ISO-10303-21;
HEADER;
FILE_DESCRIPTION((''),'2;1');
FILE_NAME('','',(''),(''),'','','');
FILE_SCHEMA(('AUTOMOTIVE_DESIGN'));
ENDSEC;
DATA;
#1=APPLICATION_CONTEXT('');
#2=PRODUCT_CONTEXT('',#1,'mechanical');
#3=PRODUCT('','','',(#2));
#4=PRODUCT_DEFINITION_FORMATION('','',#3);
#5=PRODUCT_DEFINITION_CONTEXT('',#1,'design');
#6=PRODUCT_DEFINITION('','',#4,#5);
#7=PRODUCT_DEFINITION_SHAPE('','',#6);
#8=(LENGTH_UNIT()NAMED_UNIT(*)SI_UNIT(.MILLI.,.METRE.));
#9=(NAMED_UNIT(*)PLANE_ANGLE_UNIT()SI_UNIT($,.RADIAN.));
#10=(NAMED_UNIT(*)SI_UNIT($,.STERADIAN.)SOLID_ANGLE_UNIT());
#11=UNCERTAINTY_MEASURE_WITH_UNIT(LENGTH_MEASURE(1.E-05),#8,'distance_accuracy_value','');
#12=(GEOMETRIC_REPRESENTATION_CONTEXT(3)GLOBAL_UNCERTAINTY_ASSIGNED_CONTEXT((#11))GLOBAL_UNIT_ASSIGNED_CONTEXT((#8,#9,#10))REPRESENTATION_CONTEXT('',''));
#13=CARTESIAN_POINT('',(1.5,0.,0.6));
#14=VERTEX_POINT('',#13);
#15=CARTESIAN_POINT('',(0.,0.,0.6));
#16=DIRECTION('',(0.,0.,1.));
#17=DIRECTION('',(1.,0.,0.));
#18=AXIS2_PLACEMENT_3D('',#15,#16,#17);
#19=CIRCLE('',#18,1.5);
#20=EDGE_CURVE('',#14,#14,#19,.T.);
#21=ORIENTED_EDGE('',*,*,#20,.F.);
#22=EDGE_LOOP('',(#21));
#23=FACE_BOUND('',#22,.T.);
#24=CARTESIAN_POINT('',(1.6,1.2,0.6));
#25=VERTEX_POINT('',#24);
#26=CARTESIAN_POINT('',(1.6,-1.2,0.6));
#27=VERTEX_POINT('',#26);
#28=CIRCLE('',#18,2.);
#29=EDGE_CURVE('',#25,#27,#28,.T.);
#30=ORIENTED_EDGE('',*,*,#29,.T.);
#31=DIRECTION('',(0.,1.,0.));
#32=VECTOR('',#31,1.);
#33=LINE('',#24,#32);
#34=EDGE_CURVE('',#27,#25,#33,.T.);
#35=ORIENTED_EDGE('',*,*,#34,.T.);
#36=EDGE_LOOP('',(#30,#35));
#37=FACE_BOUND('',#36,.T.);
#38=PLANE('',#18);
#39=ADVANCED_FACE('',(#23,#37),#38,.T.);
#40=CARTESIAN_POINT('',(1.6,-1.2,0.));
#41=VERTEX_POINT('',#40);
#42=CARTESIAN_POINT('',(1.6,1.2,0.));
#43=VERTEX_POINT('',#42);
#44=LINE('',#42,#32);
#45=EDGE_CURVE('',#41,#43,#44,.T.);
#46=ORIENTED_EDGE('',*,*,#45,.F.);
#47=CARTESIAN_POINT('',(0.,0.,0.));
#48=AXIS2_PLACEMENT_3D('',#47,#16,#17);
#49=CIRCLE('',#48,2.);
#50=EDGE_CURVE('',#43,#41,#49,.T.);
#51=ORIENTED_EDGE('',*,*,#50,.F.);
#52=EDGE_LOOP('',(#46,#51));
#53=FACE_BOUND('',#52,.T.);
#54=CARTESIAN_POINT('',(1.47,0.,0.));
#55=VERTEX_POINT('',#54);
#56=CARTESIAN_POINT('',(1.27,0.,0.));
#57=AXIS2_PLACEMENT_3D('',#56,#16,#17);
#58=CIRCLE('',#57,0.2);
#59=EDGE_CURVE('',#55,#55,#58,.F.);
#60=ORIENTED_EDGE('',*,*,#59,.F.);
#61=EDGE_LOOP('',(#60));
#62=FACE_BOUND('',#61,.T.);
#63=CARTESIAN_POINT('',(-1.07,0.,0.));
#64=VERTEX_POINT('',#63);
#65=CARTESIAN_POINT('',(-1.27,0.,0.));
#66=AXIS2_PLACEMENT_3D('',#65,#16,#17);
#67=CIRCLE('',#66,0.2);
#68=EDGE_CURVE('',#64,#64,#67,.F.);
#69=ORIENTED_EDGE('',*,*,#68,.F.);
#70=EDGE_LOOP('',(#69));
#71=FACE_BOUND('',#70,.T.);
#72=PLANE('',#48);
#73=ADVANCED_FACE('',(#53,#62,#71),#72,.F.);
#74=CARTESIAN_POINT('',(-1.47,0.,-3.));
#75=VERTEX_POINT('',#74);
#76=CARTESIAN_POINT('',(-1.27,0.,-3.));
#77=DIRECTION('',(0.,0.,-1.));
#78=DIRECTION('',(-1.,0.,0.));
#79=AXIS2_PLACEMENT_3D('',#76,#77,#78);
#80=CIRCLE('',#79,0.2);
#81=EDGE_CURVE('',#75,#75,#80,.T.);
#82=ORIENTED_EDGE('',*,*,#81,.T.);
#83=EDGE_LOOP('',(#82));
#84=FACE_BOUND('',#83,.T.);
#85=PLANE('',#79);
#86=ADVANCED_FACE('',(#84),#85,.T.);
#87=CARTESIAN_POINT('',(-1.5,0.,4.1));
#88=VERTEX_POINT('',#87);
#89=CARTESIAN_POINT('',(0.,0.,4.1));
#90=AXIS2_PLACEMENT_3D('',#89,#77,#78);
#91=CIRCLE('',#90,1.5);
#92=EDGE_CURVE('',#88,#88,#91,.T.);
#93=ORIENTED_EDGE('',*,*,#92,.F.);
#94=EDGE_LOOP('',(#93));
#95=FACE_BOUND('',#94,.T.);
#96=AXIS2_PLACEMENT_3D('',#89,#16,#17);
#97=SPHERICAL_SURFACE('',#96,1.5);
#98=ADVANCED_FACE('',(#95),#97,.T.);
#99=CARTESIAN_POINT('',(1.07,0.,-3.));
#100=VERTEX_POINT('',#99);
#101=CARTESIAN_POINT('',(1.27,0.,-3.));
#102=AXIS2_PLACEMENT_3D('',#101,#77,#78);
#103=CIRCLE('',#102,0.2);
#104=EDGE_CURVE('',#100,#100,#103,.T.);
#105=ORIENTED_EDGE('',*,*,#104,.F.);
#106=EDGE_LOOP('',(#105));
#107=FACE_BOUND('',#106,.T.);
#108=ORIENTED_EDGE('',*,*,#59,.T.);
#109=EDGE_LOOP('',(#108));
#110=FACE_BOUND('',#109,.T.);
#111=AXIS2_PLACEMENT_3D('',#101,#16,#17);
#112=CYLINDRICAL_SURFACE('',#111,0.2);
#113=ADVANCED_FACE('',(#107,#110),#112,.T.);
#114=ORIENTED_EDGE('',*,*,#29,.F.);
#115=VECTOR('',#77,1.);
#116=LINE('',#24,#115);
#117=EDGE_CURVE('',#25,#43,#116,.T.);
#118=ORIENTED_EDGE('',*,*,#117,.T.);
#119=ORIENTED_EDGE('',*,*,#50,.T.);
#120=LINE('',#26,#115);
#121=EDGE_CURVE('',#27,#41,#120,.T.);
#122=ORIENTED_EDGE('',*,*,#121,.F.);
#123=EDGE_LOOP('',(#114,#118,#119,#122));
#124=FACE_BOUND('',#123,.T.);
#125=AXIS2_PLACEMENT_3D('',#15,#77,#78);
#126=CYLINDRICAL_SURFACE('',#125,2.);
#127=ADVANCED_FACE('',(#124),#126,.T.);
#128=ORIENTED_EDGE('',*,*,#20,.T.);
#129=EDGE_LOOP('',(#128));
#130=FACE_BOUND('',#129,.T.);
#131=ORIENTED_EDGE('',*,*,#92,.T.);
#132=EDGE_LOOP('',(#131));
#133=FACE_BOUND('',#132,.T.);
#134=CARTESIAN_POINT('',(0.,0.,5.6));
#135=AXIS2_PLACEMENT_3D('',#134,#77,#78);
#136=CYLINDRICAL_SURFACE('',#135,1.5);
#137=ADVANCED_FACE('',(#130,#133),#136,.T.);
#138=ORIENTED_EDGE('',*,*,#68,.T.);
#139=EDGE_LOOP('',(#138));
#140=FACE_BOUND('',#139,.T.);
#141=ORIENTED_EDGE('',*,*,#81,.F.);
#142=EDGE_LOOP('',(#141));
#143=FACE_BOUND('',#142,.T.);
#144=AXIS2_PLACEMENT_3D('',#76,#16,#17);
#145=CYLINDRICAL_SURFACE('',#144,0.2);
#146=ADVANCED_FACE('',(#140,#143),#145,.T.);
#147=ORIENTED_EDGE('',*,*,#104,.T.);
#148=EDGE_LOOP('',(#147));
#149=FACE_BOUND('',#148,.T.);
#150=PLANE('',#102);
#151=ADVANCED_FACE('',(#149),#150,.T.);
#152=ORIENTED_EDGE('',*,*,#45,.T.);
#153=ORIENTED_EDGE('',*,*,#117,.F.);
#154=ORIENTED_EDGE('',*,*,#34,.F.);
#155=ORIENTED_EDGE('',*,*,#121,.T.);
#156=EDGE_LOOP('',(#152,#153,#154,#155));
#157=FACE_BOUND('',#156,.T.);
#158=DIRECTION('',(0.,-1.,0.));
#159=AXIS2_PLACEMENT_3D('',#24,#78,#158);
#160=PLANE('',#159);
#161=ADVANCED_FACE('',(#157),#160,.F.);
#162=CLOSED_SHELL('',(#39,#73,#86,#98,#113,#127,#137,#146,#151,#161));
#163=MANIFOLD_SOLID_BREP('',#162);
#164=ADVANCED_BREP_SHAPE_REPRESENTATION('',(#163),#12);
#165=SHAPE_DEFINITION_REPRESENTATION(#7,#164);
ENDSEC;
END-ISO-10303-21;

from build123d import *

# Parameters (mm, degrees)
EXTRUDE_1_DEPTH = 0.6
SKETCH_2_R      = 1.5
EXTRUDE_2_DEPTH = 5
FILLET_1_R      = 1.5
SKETCH_3_R      = 0.2
EXTRUDE_3_DEPTH = 3


with BuildPart() as part:
    # 草图1 → 凸台-拉伸1 (new body)
    with BuildSketch(Plane.XY):
        with BuildLine():
            Line((1.6, 1.2), (1.6, -1.2))
            ThreePointArc((1.6, -1.2), (-2, 0), (1.6, 1.2))
        make_face()
    extrude(amount=EXTRUDE_1_DEPTH)

    # 草图2 → 凸台-拉伸2 (add)
    with BuildSketch(Plane.XY.offset(0.6)):
        Circle(SKETCH_2_R)
    extrude(amount=EXTRUDE_2_DEPTH)

    # 圆角1
    fillet_1_edges = [part.edges().sort_by_distance(p)[0] for p in [
        (-1.5, 0, 5.6),
    ]]
    fillet(fillet_1_edges, radius=FILLET_1_R)

    # 草图3 → 凸台-拉伸3 (add)
    with BuildSketch(Plane(origin=(0, 0, 0), x_dir=(-1, 0, 0), z_dir=(0, 0, -1))):
        with Locations(Location((1.27, 0, 0), (0, 0, 180))):
            Circle(SKETCH_3_R)
        with Locations(Location((-1.27, 0, 0), (0, 0, 180))):
            Circle(SKETCH_3_R)
    extrude(amount=EXTRUDE_3_DEPTH)


solid = part.part
